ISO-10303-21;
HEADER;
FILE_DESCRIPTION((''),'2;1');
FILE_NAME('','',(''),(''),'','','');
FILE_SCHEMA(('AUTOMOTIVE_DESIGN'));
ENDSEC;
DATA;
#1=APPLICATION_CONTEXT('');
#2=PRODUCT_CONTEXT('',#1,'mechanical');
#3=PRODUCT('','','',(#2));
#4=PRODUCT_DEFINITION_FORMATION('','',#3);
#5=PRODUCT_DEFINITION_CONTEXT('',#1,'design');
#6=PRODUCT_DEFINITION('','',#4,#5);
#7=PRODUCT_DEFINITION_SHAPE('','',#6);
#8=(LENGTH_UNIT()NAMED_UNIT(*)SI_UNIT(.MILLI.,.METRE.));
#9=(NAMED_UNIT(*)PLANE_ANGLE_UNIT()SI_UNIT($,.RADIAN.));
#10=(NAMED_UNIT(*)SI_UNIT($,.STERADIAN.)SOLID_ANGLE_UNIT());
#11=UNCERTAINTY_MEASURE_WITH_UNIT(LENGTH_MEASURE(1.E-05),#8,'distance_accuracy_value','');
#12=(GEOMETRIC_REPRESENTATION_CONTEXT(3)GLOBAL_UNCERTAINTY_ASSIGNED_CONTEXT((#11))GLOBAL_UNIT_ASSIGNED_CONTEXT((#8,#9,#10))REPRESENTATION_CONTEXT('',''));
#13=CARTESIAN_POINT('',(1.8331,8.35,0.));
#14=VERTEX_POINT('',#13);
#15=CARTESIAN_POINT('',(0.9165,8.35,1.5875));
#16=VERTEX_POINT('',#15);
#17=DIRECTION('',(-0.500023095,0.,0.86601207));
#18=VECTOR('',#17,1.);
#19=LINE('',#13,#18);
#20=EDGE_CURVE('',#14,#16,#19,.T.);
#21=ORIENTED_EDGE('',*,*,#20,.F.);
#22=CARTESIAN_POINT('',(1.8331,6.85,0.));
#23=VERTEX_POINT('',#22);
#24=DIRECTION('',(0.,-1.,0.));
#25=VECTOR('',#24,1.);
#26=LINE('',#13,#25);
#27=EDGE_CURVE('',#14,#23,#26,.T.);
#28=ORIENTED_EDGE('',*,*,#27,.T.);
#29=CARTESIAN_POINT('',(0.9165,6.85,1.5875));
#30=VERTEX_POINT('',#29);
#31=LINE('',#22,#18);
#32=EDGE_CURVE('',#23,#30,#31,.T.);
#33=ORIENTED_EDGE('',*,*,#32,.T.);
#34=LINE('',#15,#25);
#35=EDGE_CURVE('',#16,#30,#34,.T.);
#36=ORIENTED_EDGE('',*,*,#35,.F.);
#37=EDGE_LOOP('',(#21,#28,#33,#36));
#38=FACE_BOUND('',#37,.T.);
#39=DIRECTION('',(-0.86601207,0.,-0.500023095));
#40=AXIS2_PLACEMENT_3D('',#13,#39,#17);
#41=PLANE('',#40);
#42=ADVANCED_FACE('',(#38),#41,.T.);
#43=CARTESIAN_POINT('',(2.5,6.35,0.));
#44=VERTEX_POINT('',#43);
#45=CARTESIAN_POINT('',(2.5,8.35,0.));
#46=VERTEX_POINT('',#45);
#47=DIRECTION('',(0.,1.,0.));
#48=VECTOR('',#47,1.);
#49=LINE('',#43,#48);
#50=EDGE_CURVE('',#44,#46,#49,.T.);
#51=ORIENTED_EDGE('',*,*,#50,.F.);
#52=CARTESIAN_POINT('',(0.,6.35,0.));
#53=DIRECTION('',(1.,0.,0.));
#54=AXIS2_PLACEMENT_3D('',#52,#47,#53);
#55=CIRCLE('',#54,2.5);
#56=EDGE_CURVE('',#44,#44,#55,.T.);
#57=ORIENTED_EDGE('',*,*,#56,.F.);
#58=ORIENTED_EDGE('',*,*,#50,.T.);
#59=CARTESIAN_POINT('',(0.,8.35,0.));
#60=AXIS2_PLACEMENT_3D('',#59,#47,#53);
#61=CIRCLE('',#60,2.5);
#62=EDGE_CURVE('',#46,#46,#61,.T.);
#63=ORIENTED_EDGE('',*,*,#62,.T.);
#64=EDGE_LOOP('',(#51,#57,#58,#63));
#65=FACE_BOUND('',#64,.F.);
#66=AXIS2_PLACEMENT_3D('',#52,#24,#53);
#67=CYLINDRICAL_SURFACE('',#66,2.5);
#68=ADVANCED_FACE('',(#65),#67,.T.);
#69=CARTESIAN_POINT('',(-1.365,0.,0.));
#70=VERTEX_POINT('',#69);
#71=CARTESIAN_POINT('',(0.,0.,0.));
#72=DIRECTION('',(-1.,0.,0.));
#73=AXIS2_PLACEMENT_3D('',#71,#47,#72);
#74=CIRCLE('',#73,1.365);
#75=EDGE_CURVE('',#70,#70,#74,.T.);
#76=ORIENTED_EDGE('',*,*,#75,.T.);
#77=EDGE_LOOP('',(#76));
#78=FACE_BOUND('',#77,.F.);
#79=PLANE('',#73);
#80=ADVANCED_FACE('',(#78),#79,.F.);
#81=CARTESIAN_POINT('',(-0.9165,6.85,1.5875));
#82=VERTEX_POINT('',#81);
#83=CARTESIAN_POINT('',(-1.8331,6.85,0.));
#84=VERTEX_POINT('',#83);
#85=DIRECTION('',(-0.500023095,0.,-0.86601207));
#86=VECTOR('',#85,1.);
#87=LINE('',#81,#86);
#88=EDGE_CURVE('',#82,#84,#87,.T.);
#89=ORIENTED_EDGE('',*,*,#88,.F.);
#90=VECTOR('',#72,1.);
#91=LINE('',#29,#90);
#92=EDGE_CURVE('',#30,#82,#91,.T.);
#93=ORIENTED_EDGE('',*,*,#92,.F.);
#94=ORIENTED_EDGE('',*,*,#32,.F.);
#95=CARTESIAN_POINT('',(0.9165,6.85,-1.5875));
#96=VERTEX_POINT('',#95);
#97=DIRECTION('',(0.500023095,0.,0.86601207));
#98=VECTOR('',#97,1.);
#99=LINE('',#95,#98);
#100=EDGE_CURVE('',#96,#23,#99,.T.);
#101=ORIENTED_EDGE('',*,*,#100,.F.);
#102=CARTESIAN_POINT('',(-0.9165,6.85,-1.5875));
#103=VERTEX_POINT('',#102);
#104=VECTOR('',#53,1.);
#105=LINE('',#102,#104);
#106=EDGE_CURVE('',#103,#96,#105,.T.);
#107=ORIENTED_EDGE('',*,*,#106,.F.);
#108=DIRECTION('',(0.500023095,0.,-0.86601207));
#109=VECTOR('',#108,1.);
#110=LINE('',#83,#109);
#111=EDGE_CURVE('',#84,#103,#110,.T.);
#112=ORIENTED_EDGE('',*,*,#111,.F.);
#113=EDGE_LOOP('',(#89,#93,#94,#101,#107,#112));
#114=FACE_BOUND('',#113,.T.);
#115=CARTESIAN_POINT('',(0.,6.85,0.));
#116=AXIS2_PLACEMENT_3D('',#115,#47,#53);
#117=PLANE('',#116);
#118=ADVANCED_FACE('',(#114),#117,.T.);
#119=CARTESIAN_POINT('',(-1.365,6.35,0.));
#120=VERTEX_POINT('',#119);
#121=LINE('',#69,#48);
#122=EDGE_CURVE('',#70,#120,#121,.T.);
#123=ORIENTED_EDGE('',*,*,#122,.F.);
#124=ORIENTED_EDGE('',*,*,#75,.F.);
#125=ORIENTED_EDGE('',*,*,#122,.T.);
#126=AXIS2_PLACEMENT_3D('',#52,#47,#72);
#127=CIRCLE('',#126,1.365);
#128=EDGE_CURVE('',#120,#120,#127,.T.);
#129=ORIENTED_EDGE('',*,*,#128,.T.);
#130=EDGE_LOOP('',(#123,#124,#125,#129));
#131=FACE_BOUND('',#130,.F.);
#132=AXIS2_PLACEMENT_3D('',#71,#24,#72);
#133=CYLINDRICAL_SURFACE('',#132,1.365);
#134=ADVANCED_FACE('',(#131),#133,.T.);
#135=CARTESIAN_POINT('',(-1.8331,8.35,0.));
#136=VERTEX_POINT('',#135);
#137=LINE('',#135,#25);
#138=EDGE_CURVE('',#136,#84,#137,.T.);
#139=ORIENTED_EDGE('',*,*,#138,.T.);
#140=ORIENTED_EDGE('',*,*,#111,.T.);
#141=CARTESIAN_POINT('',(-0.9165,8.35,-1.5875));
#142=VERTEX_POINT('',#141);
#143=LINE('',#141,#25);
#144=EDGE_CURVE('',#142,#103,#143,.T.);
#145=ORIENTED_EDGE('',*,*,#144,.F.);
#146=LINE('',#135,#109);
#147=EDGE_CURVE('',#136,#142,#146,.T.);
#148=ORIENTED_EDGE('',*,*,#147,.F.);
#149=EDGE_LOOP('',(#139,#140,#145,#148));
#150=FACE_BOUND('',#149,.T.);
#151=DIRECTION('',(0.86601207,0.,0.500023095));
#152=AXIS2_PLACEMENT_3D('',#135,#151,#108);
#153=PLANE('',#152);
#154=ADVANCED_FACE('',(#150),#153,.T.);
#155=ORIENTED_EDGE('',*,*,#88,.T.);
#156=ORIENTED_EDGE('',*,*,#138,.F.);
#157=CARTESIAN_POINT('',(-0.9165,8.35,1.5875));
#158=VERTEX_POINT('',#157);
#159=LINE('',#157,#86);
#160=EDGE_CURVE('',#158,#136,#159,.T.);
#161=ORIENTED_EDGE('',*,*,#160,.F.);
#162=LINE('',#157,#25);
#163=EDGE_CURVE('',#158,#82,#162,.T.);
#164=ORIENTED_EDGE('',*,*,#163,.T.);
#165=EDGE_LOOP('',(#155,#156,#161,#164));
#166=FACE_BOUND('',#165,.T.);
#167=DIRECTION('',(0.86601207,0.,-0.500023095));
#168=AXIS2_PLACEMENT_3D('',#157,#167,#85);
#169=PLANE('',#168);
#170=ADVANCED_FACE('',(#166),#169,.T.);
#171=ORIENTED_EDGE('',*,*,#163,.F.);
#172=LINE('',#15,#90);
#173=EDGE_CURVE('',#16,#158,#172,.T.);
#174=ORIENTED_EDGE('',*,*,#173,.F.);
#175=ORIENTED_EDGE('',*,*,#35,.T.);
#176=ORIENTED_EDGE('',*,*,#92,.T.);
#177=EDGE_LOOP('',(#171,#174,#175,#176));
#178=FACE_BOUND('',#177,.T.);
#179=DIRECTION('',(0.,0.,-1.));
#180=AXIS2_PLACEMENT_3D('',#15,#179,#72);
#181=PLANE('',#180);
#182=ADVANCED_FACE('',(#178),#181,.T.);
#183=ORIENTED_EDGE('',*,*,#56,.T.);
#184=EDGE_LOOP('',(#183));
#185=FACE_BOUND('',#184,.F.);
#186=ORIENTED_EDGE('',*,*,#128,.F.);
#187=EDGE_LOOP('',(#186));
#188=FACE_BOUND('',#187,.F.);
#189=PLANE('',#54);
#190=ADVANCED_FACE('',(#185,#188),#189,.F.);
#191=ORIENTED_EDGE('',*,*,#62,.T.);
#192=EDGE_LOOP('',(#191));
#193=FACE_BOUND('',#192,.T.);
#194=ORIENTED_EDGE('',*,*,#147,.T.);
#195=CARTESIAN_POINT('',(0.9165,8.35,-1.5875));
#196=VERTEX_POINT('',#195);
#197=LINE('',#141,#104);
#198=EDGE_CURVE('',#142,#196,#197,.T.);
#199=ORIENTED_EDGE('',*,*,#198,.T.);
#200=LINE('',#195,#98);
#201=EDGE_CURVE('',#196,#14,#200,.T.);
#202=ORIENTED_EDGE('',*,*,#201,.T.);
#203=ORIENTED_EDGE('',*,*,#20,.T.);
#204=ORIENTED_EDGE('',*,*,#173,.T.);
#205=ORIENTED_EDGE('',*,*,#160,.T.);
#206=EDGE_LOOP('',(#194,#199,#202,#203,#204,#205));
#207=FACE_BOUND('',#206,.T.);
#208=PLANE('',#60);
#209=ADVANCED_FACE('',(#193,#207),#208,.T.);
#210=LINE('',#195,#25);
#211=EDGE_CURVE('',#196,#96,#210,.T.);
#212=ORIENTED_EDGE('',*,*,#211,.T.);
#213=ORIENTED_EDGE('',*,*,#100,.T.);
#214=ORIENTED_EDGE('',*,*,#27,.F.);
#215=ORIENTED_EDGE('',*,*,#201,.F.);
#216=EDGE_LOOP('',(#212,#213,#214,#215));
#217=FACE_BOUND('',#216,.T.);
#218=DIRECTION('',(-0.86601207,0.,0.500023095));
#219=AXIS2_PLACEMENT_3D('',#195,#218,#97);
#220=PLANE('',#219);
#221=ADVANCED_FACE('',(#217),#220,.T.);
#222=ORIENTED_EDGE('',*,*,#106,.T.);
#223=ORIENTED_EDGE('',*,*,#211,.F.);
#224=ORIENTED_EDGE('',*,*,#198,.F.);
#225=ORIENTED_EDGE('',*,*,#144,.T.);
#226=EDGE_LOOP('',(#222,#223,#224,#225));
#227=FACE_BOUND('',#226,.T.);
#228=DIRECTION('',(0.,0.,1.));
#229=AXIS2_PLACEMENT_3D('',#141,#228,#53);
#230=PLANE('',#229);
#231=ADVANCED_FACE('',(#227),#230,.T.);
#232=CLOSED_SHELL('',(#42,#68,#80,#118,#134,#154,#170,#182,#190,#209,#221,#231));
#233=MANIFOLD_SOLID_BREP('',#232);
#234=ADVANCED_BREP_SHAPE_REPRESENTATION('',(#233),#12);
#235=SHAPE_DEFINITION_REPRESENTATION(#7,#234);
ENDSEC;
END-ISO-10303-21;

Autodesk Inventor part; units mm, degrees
ref_plane "YZ Plane" through (0, 0, 0) normal (1, 0, 0) x (0, 1, 0)
ref_plane "XZ Plane" through (0, 0, 0) normal (0, 1, 0) x (-1, 0, 0)
ref_plane "XY Plane" through (0, 0, 0) normal (0, 0, 1) x (1, 0, 0)
sketch "Sketch1" plane through (0, 0, 0) normal (0, 1, 0) x (-1, 0, 0)
  circle A0 centre (0, 0) radius 1.365
  dimension "d0" = 2.73
extrude "Extrusion1" add sketch "Sketch1" along normal blind 6.35
sketch "Sketch2" plane through (0, 6.35, 0) normal (0, 1, 0) x (1, 0, 0)
  circle A0 centre (0, 0) radius 2.5
  dimension "d3" = 5
extrude "Extrusion2" add sketch "Sketch2" along normal blind 2
sketch "Sketch3" plane through (0, 8.35, 0) normal (0, 1, 0) x (1, 0, 0)
  circle A0 centre (0, 0) radius 1.365 projected
  line L0 (-1.8331, 0) -> (-0.9165, 1.5875)
  line L1 (-0.9165, 1.5875) -> (0.9165, 1.5875)
  line L2 (0.9165, 1.5875) -> (1.8331, 0)
  line L3 (1.8331, 0) -> (0.9165, -1.5875)
  line L4 (0.9165, -1.5875) -> (-0.9165, -1.5875)
  line L5 (-0.9165, -1.5875) -> (-1.8331, 0)
  dimension "d6" = 3.175
extrude "Extrusion3" cut sketch "Sketch3" against normal blind 1.5 contours A0 | L0 L1 L2 L3 L4 L5
thread "Thread1" size "4-40 UNC" class "2A" standard "ANSI Unified Screw Threads" full length
properties part number "Electronics Mounting bolt" material "Steel, Galvanized"
